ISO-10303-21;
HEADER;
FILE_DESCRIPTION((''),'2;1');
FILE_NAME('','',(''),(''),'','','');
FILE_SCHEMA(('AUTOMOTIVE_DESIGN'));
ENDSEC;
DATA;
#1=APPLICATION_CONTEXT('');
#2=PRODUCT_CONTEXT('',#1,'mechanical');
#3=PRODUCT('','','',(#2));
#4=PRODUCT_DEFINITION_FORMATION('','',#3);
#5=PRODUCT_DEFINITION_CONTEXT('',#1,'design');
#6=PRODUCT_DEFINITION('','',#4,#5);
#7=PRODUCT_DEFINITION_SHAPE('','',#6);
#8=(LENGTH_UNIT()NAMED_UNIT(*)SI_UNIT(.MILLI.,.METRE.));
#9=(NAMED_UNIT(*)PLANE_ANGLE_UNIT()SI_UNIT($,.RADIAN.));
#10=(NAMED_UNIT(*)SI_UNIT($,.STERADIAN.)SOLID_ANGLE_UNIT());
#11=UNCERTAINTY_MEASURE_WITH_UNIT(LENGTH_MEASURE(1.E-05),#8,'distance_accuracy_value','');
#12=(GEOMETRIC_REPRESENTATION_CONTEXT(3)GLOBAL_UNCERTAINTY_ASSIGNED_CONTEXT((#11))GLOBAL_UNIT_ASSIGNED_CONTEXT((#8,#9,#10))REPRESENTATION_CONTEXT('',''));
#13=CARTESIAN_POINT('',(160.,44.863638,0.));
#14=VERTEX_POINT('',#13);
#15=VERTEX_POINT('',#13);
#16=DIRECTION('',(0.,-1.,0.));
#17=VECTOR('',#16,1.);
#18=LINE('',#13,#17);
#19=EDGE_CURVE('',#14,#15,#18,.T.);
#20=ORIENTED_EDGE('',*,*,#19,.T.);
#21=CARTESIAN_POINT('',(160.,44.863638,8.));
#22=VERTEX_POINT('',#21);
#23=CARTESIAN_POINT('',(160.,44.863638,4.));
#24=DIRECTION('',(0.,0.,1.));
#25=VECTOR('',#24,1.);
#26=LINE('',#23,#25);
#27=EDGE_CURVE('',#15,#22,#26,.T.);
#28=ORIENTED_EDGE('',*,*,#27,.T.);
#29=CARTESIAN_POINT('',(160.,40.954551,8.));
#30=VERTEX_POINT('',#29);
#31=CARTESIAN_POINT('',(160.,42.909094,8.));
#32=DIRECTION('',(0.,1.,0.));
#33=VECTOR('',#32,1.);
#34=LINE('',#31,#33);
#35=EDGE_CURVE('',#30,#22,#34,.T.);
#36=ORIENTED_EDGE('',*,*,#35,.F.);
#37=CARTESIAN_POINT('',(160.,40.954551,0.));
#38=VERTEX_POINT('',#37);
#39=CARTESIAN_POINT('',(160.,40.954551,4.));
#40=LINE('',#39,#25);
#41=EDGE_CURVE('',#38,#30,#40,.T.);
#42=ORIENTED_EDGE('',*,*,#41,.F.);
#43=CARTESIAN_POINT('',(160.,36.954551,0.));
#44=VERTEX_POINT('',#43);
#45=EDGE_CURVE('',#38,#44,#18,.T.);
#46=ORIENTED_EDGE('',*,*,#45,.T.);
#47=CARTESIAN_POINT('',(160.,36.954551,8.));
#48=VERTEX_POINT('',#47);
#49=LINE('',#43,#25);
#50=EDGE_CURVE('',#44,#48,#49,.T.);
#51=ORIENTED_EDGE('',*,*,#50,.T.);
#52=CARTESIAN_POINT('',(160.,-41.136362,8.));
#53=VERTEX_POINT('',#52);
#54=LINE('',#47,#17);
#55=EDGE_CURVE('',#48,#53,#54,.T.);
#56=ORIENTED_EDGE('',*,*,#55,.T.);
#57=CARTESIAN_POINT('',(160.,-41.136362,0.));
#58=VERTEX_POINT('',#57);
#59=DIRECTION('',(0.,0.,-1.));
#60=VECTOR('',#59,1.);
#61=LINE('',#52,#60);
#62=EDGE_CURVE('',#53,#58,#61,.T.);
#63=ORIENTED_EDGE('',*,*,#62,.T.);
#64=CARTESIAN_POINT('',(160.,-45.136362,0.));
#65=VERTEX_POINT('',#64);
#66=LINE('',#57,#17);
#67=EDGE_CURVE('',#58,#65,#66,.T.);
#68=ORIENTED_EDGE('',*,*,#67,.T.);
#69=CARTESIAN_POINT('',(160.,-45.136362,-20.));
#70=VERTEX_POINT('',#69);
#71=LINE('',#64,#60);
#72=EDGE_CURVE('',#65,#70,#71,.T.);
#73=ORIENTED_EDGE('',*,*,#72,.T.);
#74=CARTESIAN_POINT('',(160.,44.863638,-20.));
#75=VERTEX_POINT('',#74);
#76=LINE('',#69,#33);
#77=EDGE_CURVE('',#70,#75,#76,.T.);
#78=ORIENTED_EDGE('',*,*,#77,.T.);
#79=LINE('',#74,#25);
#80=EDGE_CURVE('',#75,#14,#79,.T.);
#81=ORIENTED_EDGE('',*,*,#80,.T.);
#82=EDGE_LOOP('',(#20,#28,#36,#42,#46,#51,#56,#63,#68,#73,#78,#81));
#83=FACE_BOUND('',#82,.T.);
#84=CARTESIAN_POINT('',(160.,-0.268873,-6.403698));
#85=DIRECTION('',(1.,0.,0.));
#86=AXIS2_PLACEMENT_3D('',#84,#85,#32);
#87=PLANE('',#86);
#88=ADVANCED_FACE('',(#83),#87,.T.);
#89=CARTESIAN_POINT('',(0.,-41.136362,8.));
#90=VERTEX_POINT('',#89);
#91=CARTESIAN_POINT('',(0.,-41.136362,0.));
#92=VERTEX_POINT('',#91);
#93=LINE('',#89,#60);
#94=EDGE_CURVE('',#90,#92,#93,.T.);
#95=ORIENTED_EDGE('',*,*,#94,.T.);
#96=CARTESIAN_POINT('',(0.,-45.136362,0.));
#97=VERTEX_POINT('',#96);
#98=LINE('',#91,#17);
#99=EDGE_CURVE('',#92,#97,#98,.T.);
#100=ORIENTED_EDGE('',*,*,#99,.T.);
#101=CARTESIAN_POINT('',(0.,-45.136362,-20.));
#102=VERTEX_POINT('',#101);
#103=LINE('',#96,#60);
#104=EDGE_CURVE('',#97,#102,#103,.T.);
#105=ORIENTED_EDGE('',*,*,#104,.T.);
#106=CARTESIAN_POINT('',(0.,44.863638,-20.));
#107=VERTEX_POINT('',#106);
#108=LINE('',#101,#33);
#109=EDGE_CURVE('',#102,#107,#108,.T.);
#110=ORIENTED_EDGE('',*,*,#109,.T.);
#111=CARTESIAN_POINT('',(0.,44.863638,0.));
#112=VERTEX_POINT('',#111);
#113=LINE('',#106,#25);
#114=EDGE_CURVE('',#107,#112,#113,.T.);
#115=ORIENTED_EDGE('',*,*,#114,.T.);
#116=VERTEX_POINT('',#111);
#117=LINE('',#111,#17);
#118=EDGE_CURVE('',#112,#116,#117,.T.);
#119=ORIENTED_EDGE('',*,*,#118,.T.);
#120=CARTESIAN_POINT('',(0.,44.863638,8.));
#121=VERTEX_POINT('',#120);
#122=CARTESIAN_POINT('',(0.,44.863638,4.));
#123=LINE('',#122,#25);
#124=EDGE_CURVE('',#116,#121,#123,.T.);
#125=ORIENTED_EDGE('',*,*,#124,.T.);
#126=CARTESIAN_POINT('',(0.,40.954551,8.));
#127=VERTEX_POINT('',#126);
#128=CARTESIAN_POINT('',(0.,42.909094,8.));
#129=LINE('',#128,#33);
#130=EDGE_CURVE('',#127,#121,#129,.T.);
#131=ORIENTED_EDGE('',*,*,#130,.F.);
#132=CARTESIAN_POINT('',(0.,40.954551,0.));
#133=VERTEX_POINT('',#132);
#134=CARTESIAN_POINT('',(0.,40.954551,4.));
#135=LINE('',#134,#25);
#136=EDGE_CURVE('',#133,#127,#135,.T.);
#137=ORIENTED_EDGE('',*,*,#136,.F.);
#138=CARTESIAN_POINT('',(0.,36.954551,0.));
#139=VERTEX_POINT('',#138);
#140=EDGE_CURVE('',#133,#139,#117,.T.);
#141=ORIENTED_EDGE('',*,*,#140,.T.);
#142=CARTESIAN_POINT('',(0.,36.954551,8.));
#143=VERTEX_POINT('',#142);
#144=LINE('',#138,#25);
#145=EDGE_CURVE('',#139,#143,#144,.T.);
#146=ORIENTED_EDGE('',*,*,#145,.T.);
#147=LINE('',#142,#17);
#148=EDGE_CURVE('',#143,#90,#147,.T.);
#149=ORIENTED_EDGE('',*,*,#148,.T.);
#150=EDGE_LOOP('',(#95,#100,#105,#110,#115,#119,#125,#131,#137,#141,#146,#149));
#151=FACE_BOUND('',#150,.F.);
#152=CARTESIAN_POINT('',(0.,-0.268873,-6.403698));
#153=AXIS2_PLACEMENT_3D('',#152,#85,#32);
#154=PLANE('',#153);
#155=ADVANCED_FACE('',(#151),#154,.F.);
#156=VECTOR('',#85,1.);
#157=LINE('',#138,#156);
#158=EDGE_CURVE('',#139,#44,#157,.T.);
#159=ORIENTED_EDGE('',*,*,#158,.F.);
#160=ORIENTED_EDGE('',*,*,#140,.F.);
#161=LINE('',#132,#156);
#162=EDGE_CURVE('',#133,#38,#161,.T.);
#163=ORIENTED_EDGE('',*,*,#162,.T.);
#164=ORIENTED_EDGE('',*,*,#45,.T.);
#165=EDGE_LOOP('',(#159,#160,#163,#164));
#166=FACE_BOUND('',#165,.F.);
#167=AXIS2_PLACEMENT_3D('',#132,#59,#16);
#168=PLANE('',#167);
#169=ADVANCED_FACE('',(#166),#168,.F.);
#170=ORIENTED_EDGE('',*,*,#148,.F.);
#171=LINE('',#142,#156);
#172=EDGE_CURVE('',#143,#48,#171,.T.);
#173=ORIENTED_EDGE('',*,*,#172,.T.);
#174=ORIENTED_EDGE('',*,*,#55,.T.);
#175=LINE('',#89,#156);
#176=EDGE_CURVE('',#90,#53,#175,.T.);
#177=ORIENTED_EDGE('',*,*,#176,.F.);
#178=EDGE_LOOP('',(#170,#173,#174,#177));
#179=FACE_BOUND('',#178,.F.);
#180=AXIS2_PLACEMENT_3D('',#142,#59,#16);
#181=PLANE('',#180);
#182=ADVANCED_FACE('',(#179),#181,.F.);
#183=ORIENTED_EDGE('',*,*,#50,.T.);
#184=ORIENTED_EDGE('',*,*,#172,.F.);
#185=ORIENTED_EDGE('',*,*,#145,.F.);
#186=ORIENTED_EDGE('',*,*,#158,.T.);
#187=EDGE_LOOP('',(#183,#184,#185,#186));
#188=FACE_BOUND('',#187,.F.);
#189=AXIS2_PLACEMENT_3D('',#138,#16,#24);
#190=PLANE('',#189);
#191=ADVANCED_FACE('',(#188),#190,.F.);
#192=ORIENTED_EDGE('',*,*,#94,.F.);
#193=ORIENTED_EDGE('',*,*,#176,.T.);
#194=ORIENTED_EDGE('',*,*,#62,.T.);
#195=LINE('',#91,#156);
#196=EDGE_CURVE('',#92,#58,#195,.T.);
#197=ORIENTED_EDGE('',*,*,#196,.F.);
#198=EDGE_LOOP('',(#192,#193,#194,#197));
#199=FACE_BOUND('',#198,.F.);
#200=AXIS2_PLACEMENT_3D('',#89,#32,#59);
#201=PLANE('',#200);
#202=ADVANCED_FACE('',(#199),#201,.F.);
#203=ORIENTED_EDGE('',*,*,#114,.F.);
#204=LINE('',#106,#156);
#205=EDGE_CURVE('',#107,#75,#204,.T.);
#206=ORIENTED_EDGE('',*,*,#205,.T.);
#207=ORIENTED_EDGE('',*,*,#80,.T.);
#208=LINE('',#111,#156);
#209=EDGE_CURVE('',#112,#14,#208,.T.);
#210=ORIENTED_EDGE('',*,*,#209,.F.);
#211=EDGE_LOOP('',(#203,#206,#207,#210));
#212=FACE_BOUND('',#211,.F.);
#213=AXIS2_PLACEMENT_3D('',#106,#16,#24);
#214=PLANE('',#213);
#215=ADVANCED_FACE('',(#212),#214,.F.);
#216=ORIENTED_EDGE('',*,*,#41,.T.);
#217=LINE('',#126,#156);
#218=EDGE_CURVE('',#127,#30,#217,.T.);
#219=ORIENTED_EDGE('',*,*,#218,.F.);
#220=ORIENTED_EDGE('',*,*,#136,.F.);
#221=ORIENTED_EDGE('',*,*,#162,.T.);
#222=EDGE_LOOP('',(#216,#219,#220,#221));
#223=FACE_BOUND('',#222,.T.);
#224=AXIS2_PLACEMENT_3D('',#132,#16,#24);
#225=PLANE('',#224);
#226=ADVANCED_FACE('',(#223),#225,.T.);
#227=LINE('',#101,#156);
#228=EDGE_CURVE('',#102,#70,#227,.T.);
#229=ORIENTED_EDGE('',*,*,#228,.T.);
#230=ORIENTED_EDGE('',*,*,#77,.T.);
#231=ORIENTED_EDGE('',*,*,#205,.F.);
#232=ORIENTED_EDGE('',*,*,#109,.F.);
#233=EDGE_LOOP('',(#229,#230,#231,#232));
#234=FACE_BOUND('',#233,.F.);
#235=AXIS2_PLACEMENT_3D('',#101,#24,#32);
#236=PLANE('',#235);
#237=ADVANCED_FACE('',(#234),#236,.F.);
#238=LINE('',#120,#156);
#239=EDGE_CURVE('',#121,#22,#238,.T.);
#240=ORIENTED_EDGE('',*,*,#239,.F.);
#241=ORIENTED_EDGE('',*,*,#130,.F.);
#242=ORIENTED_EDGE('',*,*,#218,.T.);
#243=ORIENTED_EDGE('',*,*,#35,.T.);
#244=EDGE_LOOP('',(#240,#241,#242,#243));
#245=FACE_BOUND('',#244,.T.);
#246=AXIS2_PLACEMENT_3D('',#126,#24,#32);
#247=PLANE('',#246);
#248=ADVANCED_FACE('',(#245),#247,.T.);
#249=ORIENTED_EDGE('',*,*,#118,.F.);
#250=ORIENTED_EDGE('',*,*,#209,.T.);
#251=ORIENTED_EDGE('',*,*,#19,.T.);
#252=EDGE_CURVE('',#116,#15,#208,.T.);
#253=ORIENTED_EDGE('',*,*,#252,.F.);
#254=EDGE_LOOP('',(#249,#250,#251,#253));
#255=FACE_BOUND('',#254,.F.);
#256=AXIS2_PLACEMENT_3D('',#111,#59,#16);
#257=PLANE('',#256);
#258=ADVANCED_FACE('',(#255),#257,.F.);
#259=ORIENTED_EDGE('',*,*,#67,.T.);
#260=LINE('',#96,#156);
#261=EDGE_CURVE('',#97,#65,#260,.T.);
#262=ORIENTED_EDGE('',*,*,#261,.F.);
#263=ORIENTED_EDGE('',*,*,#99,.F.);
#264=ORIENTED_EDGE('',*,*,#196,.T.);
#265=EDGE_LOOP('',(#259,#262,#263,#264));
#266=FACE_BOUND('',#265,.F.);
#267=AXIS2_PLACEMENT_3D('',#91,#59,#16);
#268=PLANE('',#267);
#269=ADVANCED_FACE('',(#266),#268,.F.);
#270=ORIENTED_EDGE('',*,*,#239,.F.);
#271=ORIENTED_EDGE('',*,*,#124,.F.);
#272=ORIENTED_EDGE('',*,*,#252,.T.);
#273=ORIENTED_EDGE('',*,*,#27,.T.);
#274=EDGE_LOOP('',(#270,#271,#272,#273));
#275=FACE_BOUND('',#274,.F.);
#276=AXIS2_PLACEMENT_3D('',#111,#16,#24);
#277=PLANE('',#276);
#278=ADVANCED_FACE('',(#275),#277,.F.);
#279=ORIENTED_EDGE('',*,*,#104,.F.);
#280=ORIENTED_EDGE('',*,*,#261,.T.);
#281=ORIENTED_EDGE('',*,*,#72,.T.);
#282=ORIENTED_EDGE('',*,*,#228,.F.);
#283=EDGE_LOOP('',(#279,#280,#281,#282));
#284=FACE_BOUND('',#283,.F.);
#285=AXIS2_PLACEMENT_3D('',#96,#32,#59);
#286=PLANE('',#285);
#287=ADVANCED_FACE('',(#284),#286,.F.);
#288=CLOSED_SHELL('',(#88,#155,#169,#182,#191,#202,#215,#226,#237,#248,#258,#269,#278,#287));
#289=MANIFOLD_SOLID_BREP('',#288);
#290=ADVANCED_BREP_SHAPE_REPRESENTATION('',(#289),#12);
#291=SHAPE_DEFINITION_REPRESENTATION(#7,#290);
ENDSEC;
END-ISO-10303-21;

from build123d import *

# Parameters (mm, degrees)
F0_W     = 3.909087
F0_H     = 8
F1_DEPTH = 160


with BuildPart() as f1:
    # F0 (on Right) → F1 (new body)
    with BuildSketch(Plane.YZ):
        Polygon((-41.136362, 0), (-45.136362, 0), (-45.136362, -20), (44.863638, -20), (44.863638, 0), (40.954551, 0), (36.954551, 0), (36.954551, 8), (-41.136362, 8), align=None)
        with Locations((42.909094, 4)):
            Rectangle(F0_W, F0_H)
    extrude(amount=F1_DEPTH)


solid = f1.part
